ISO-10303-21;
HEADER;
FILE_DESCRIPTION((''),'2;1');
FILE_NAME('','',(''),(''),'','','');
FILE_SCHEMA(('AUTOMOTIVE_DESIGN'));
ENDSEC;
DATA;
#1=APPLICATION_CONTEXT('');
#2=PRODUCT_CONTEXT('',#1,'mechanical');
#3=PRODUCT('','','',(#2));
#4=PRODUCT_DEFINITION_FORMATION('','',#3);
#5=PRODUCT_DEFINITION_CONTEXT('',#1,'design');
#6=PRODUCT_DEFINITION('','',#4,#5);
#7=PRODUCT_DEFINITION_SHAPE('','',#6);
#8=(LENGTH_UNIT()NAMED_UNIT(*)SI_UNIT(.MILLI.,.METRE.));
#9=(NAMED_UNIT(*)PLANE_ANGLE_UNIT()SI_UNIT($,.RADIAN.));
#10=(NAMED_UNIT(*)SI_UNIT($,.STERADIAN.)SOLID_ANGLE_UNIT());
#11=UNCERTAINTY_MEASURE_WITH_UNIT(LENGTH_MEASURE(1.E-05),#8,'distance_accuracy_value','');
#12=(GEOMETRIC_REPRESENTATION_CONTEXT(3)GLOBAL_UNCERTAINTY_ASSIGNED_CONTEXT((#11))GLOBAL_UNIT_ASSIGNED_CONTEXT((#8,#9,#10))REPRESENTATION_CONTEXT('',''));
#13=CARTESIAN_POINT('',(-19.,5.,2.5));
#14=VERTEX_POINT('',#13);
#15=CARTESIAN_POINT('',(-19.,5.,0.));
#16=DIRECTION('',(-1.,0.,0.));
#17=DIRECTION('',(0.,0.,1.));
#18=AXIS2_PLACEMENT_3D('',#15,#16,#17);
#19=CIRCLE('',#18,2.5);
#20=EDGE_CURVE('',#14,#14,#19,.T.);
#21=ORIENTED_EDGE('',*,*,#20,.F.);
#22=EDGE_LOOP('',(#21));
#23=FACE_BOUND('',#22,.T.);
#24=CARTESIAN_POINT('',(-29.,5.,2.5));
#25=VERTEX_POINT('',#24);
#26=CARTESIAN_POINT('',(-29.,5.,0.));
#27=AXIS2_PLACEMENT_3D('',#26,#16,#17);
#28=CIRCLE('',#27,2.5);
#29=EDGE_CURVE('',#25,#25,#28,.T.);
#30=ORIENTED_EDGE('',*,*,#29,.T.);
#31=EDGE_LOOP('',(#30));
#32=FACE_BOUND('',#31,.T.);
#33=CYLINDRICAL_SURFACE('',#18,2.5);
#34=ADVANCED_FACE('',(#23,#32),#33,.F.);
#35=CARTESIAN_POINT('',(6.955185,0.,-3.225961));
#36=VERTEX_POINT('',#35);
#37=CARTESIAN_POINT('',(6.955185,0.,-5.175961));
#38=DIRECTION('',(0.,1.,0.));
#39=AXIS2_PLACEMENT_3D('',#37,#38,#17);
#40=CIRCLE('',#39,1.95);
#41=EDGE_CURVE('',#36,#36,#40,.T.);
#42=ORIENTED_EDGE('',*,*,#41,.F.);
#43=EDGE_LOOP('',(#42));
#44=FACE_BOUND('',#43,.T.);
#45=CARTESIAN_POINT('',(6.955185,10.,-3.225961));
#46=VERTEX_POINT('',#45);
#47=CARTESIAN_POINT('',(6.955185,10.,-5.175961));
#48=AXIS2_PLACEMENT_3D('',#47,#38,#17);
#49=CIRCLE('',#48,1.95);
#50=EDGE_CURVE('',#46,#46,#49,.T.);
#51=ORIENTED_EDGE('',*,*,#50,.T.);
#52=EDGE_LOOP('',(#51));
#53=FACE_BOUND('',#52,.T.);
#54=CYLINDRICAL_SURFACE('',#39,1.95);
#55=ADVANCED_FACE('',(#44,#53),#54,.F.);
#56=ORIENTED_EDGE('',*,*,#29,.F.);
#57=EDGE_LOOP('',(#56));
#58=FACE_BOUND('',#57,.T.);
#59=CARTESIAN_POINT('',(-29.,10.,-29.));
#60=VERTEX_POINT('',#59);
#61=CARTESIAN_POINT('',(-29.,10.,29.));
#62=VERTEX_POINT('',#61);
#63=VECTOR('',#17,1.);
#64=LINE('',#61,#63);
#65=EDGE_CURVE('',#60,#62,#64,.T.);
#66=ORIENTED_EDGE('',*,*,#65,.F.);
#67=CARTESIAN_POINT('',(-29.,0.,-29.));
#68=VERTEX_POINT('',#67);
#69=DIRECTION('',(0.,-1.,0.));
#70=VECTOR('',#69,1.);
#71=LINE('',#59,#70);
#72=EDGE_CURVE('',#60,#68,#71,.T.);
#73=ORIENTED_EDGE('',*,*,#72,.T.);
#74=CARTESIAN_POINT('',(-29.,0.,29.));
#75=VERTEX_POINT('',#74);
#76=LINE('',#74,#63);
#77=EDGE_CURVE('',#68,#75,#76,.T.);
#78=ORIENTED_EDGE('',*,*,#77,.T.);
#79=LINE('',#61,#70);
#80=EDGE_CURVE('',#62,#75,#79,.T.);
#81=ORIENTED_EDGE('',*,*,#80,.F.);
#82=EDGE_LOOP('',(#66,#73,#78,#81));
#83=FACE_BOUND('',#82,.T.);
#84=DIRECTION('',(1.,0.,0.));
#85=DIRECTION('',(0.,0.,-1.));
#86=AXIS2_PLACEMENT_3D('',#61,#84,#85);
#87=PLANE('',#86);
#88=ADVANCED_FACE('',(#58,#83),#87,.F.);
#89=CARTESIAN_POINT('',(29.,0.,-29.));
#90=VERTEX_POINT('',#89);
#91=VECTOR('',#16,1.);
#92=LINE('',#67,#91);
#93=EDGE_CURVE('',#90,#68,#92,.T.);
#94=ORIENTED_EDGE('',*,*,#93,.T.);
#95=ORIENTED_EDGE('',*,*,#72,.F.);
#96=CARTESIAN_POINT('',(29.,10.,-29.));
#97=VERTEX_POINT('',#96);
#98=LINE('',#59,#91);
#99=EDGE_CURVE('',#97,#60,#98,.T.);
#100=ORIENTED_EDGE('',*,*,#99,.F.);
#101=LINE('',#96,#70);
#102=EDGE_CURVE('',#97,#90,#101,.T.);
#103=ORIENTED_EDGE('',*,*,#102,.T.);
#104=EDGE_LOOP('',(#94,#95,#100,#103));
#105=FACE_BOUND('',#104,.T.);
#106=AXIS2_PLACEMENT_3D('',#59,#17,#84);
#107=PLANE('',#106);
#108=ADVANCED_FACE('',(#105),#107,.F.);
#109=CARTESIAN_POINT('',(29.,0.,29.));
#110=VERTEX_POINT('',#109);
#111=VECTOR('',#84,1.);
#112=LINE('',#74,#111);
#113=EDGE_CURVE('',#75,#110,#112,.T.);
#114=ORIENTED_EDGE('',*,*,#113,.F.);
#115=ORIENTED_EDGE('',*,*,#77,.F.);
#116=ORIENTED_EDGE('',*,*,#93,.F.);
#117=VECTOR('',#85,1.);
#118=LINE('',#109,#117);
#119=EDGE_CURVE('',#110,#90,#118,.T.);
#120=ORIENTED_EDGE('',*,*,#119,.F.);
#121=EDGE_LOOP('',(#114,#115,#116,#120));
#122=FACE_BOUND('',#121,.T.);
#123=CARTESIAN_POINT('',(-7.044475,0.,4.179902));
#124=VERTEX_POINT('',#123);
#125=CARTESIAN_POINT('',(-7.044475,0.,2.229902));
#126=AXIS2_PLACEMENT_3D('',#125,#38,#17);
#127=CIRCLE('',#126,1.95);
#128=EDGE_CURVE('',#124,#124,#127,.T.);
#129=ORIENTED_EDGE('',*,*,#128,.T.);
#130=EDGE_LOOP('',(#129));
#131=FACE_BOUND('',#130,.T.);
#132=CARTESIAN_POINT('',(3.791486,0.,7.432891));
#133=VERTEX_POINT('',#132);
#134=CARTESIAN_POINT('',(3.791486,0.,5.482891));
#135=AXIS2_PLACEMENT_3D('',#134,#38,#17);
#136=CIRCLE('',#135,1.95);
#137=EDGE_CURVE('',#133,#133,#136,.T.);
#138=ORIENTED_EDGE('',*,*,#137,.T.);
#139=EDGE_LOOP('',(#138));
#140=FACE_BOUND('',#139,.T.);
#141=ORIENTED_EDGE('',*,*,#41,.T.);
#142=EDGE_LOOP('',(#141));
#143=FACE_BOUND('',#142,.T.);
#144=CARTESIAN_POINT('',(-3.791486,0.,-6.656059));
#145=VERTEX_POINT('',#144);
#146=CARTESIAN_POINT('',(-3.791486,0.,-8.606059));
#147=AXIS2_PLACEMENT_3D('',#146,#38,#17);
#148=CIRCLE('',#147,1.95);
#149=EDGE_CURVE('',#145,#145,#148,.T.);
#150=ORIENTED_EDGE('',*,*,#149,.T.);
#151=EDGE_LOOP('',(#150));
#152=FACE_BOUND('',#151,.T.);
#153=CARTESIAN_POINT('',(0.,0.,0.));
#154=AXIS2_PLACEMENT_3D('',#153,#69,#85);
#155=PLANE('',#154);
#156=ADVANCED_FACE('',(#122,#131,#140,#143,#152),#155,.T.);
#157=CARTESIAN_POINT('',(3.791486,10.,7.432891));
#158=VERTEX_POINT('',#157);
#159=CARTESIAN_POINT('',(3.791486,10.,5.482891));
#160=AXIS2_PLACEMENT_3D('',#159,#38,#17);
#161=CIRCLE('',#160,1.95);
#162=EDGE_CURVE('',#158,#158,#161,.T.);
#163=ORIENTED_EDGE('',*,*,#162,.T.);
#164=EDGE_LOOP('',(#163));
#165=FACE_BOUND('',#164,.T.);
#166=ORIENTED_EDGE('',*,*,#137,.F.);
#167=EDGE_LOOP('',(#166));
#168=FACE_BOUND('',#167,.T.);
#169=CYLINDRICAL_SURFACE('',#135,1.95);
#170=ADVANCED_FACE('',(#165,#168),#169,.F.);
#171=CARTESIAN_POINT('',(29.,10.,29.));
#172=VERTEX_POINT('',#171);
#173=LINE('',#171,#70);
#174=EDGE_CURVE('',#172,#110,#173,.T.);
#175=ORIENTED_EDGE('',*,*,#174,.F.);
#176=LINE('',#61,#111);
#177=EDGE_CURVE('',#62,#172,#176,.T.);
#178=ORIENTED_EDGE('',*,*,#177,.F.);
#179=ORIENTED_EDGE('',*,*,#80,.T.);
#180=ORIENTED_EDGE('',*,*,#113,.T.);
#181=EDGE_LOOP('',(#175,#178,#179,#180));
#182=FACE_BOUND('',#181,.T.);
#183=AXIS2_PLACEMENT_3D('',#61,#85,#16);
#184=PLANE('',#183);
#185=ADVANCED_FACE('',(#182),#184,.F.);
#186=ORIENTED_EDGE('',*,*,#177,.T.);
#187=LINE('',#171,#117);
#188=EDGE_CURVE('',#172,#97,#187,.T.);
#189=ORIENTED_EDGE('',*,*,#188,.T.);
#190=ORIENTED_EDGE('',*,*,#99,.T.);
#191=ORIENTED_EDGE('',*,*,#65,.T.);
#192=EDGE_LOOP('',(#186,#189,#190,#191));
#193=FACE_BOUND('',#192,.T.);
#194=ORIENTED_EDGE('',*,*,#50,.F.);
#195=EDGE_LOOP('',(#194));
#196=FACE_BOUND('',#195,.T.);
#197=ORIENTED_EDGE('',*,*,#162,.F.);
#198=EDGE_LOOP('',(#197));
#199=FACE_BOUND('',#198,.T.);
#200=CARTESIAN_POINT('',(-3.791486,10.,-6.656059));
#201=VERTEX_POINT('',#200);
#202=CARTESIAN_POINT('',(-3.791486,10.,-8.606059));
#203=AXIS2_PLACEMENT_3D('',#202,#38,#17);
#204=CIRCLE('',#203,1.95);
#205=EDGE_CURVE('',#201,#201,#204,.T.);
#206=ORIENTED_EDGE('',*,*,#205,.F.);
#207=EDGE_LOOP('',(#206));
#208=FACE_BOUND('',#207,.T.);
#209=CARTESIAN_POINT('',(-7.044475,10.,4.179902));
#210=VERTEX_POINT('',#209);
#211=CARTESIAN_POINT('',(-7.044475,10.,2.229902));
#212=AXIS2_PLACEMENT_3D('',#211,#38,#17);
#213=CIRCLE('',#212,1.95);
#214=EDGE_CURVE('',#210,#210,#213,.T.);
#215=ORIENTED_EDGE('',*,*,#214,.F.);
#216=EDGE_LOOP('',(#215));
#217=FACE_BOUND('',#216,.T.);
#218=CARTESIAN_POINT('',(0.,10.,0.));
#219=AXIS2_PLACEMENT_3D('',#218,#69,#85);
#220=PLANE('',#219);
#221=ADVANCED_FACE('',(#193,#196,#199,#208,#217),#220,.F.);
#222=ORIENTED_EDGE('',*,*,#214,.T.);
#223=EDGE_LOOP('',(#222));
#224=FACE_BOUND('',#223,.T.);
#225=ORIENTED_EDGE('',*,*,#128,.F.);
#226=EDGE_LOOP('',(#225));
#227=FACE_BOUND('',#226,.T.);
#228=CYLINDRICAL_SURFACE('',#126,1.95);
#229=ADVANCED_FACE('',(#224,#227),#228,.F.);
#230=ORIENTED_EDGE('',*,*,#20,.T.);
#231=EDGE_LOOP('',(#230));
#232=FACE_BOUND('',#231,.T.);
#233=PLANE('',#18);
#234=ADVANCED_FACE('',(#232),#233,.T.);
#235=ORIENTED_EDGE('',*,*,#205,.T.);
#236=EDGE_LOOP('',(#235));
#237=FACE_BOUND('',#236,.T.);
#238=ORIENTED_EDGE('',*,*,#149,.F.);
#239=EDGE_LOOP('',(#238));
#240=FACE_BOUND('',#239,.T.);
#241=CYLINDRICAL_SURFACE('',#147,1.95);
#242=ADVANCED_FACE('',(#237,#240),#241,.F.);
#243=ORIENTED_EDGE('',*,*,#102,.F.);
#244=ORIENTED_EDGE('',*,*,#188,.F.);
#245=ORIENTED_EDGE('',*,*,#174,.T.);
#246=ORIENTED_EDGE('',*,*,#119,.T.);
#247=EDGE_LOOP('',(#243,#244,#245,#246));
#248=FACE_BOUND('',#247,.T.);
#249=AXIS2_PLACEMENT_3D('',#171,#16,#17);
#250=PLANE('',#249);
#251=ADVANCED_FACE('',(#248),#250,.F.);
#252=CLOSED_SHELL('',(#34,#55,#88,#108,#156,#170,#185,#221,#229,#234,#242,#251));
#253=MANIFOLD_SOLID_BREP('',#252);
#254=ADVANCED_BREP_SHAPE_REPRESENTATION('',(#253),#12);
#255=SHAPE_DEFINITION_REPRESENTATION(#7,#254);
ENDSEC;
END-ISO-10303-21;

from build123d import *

# Parameters (mm, degrees)
SKETCH1_W           = 58
SKETCH1_H           = 58
BOSS_EXTRUDE1_DEPTH = 10
SKETCH2_R           = 2.5
CUT_EXTRUDE1_DEPTH  = 10
SKETCH7_R           = 1.95
CUT_EXTRUDE4_DEPTH  = 43.213741838


with BuildPart() as part:
    # Sketch1 → Boss-Extrude1 (new body)
    with BuildSketch(Plane(origin=(0, 0, 0), x_dir=(1, 0, 0), z_dir=(0, 1, 0))):
        Rectangle(SKETCH1_W, SKETCH1_H)
    extrude(amount=BOSS_EXTRUDE1_DEPTH)

    # Sketch2 → Cut-Extrude1 (cut)
    with BuildSketch(Plane.ZY.offset(29)):
        with Locations((0, 5)):
            Circle(SKETCH2_R)
    extrude(amount=-CUT_EXTRUDE1_DEPTH, mode=Mode.SUBTRACT)

    # Sketch7 → Cut-Extrude4 (cut, through all)
    with BuildSketch(Plane(origin=(0, 10, 0), x_dir=(1, 0, 0), z_dir=(0, 1, 0))):
        with Locations(Location((-3.791486316, 8.606059277, 0), (0, 0, 270))):
            Circle(SKETCH7_R)
        with Locations(Location((6.955184511, 5.175961247, 0), (0, 0, 270))):
            Circle(SKETCH7_R)
        with Locations(Location((-7.044475248, -2.229902286, 0), (0, 0, 270))):
            Circle(SKETCH7_R)
        with Locations(Location((3.791486316, -5.482891218, 0), (0, 0, 270))):
            Circle(SKETCH7_R)
    extrude(amount=-CUT_EXTRUDE4_DEPTH, mode=Mode.SUBTRACT)


solid = part.part
